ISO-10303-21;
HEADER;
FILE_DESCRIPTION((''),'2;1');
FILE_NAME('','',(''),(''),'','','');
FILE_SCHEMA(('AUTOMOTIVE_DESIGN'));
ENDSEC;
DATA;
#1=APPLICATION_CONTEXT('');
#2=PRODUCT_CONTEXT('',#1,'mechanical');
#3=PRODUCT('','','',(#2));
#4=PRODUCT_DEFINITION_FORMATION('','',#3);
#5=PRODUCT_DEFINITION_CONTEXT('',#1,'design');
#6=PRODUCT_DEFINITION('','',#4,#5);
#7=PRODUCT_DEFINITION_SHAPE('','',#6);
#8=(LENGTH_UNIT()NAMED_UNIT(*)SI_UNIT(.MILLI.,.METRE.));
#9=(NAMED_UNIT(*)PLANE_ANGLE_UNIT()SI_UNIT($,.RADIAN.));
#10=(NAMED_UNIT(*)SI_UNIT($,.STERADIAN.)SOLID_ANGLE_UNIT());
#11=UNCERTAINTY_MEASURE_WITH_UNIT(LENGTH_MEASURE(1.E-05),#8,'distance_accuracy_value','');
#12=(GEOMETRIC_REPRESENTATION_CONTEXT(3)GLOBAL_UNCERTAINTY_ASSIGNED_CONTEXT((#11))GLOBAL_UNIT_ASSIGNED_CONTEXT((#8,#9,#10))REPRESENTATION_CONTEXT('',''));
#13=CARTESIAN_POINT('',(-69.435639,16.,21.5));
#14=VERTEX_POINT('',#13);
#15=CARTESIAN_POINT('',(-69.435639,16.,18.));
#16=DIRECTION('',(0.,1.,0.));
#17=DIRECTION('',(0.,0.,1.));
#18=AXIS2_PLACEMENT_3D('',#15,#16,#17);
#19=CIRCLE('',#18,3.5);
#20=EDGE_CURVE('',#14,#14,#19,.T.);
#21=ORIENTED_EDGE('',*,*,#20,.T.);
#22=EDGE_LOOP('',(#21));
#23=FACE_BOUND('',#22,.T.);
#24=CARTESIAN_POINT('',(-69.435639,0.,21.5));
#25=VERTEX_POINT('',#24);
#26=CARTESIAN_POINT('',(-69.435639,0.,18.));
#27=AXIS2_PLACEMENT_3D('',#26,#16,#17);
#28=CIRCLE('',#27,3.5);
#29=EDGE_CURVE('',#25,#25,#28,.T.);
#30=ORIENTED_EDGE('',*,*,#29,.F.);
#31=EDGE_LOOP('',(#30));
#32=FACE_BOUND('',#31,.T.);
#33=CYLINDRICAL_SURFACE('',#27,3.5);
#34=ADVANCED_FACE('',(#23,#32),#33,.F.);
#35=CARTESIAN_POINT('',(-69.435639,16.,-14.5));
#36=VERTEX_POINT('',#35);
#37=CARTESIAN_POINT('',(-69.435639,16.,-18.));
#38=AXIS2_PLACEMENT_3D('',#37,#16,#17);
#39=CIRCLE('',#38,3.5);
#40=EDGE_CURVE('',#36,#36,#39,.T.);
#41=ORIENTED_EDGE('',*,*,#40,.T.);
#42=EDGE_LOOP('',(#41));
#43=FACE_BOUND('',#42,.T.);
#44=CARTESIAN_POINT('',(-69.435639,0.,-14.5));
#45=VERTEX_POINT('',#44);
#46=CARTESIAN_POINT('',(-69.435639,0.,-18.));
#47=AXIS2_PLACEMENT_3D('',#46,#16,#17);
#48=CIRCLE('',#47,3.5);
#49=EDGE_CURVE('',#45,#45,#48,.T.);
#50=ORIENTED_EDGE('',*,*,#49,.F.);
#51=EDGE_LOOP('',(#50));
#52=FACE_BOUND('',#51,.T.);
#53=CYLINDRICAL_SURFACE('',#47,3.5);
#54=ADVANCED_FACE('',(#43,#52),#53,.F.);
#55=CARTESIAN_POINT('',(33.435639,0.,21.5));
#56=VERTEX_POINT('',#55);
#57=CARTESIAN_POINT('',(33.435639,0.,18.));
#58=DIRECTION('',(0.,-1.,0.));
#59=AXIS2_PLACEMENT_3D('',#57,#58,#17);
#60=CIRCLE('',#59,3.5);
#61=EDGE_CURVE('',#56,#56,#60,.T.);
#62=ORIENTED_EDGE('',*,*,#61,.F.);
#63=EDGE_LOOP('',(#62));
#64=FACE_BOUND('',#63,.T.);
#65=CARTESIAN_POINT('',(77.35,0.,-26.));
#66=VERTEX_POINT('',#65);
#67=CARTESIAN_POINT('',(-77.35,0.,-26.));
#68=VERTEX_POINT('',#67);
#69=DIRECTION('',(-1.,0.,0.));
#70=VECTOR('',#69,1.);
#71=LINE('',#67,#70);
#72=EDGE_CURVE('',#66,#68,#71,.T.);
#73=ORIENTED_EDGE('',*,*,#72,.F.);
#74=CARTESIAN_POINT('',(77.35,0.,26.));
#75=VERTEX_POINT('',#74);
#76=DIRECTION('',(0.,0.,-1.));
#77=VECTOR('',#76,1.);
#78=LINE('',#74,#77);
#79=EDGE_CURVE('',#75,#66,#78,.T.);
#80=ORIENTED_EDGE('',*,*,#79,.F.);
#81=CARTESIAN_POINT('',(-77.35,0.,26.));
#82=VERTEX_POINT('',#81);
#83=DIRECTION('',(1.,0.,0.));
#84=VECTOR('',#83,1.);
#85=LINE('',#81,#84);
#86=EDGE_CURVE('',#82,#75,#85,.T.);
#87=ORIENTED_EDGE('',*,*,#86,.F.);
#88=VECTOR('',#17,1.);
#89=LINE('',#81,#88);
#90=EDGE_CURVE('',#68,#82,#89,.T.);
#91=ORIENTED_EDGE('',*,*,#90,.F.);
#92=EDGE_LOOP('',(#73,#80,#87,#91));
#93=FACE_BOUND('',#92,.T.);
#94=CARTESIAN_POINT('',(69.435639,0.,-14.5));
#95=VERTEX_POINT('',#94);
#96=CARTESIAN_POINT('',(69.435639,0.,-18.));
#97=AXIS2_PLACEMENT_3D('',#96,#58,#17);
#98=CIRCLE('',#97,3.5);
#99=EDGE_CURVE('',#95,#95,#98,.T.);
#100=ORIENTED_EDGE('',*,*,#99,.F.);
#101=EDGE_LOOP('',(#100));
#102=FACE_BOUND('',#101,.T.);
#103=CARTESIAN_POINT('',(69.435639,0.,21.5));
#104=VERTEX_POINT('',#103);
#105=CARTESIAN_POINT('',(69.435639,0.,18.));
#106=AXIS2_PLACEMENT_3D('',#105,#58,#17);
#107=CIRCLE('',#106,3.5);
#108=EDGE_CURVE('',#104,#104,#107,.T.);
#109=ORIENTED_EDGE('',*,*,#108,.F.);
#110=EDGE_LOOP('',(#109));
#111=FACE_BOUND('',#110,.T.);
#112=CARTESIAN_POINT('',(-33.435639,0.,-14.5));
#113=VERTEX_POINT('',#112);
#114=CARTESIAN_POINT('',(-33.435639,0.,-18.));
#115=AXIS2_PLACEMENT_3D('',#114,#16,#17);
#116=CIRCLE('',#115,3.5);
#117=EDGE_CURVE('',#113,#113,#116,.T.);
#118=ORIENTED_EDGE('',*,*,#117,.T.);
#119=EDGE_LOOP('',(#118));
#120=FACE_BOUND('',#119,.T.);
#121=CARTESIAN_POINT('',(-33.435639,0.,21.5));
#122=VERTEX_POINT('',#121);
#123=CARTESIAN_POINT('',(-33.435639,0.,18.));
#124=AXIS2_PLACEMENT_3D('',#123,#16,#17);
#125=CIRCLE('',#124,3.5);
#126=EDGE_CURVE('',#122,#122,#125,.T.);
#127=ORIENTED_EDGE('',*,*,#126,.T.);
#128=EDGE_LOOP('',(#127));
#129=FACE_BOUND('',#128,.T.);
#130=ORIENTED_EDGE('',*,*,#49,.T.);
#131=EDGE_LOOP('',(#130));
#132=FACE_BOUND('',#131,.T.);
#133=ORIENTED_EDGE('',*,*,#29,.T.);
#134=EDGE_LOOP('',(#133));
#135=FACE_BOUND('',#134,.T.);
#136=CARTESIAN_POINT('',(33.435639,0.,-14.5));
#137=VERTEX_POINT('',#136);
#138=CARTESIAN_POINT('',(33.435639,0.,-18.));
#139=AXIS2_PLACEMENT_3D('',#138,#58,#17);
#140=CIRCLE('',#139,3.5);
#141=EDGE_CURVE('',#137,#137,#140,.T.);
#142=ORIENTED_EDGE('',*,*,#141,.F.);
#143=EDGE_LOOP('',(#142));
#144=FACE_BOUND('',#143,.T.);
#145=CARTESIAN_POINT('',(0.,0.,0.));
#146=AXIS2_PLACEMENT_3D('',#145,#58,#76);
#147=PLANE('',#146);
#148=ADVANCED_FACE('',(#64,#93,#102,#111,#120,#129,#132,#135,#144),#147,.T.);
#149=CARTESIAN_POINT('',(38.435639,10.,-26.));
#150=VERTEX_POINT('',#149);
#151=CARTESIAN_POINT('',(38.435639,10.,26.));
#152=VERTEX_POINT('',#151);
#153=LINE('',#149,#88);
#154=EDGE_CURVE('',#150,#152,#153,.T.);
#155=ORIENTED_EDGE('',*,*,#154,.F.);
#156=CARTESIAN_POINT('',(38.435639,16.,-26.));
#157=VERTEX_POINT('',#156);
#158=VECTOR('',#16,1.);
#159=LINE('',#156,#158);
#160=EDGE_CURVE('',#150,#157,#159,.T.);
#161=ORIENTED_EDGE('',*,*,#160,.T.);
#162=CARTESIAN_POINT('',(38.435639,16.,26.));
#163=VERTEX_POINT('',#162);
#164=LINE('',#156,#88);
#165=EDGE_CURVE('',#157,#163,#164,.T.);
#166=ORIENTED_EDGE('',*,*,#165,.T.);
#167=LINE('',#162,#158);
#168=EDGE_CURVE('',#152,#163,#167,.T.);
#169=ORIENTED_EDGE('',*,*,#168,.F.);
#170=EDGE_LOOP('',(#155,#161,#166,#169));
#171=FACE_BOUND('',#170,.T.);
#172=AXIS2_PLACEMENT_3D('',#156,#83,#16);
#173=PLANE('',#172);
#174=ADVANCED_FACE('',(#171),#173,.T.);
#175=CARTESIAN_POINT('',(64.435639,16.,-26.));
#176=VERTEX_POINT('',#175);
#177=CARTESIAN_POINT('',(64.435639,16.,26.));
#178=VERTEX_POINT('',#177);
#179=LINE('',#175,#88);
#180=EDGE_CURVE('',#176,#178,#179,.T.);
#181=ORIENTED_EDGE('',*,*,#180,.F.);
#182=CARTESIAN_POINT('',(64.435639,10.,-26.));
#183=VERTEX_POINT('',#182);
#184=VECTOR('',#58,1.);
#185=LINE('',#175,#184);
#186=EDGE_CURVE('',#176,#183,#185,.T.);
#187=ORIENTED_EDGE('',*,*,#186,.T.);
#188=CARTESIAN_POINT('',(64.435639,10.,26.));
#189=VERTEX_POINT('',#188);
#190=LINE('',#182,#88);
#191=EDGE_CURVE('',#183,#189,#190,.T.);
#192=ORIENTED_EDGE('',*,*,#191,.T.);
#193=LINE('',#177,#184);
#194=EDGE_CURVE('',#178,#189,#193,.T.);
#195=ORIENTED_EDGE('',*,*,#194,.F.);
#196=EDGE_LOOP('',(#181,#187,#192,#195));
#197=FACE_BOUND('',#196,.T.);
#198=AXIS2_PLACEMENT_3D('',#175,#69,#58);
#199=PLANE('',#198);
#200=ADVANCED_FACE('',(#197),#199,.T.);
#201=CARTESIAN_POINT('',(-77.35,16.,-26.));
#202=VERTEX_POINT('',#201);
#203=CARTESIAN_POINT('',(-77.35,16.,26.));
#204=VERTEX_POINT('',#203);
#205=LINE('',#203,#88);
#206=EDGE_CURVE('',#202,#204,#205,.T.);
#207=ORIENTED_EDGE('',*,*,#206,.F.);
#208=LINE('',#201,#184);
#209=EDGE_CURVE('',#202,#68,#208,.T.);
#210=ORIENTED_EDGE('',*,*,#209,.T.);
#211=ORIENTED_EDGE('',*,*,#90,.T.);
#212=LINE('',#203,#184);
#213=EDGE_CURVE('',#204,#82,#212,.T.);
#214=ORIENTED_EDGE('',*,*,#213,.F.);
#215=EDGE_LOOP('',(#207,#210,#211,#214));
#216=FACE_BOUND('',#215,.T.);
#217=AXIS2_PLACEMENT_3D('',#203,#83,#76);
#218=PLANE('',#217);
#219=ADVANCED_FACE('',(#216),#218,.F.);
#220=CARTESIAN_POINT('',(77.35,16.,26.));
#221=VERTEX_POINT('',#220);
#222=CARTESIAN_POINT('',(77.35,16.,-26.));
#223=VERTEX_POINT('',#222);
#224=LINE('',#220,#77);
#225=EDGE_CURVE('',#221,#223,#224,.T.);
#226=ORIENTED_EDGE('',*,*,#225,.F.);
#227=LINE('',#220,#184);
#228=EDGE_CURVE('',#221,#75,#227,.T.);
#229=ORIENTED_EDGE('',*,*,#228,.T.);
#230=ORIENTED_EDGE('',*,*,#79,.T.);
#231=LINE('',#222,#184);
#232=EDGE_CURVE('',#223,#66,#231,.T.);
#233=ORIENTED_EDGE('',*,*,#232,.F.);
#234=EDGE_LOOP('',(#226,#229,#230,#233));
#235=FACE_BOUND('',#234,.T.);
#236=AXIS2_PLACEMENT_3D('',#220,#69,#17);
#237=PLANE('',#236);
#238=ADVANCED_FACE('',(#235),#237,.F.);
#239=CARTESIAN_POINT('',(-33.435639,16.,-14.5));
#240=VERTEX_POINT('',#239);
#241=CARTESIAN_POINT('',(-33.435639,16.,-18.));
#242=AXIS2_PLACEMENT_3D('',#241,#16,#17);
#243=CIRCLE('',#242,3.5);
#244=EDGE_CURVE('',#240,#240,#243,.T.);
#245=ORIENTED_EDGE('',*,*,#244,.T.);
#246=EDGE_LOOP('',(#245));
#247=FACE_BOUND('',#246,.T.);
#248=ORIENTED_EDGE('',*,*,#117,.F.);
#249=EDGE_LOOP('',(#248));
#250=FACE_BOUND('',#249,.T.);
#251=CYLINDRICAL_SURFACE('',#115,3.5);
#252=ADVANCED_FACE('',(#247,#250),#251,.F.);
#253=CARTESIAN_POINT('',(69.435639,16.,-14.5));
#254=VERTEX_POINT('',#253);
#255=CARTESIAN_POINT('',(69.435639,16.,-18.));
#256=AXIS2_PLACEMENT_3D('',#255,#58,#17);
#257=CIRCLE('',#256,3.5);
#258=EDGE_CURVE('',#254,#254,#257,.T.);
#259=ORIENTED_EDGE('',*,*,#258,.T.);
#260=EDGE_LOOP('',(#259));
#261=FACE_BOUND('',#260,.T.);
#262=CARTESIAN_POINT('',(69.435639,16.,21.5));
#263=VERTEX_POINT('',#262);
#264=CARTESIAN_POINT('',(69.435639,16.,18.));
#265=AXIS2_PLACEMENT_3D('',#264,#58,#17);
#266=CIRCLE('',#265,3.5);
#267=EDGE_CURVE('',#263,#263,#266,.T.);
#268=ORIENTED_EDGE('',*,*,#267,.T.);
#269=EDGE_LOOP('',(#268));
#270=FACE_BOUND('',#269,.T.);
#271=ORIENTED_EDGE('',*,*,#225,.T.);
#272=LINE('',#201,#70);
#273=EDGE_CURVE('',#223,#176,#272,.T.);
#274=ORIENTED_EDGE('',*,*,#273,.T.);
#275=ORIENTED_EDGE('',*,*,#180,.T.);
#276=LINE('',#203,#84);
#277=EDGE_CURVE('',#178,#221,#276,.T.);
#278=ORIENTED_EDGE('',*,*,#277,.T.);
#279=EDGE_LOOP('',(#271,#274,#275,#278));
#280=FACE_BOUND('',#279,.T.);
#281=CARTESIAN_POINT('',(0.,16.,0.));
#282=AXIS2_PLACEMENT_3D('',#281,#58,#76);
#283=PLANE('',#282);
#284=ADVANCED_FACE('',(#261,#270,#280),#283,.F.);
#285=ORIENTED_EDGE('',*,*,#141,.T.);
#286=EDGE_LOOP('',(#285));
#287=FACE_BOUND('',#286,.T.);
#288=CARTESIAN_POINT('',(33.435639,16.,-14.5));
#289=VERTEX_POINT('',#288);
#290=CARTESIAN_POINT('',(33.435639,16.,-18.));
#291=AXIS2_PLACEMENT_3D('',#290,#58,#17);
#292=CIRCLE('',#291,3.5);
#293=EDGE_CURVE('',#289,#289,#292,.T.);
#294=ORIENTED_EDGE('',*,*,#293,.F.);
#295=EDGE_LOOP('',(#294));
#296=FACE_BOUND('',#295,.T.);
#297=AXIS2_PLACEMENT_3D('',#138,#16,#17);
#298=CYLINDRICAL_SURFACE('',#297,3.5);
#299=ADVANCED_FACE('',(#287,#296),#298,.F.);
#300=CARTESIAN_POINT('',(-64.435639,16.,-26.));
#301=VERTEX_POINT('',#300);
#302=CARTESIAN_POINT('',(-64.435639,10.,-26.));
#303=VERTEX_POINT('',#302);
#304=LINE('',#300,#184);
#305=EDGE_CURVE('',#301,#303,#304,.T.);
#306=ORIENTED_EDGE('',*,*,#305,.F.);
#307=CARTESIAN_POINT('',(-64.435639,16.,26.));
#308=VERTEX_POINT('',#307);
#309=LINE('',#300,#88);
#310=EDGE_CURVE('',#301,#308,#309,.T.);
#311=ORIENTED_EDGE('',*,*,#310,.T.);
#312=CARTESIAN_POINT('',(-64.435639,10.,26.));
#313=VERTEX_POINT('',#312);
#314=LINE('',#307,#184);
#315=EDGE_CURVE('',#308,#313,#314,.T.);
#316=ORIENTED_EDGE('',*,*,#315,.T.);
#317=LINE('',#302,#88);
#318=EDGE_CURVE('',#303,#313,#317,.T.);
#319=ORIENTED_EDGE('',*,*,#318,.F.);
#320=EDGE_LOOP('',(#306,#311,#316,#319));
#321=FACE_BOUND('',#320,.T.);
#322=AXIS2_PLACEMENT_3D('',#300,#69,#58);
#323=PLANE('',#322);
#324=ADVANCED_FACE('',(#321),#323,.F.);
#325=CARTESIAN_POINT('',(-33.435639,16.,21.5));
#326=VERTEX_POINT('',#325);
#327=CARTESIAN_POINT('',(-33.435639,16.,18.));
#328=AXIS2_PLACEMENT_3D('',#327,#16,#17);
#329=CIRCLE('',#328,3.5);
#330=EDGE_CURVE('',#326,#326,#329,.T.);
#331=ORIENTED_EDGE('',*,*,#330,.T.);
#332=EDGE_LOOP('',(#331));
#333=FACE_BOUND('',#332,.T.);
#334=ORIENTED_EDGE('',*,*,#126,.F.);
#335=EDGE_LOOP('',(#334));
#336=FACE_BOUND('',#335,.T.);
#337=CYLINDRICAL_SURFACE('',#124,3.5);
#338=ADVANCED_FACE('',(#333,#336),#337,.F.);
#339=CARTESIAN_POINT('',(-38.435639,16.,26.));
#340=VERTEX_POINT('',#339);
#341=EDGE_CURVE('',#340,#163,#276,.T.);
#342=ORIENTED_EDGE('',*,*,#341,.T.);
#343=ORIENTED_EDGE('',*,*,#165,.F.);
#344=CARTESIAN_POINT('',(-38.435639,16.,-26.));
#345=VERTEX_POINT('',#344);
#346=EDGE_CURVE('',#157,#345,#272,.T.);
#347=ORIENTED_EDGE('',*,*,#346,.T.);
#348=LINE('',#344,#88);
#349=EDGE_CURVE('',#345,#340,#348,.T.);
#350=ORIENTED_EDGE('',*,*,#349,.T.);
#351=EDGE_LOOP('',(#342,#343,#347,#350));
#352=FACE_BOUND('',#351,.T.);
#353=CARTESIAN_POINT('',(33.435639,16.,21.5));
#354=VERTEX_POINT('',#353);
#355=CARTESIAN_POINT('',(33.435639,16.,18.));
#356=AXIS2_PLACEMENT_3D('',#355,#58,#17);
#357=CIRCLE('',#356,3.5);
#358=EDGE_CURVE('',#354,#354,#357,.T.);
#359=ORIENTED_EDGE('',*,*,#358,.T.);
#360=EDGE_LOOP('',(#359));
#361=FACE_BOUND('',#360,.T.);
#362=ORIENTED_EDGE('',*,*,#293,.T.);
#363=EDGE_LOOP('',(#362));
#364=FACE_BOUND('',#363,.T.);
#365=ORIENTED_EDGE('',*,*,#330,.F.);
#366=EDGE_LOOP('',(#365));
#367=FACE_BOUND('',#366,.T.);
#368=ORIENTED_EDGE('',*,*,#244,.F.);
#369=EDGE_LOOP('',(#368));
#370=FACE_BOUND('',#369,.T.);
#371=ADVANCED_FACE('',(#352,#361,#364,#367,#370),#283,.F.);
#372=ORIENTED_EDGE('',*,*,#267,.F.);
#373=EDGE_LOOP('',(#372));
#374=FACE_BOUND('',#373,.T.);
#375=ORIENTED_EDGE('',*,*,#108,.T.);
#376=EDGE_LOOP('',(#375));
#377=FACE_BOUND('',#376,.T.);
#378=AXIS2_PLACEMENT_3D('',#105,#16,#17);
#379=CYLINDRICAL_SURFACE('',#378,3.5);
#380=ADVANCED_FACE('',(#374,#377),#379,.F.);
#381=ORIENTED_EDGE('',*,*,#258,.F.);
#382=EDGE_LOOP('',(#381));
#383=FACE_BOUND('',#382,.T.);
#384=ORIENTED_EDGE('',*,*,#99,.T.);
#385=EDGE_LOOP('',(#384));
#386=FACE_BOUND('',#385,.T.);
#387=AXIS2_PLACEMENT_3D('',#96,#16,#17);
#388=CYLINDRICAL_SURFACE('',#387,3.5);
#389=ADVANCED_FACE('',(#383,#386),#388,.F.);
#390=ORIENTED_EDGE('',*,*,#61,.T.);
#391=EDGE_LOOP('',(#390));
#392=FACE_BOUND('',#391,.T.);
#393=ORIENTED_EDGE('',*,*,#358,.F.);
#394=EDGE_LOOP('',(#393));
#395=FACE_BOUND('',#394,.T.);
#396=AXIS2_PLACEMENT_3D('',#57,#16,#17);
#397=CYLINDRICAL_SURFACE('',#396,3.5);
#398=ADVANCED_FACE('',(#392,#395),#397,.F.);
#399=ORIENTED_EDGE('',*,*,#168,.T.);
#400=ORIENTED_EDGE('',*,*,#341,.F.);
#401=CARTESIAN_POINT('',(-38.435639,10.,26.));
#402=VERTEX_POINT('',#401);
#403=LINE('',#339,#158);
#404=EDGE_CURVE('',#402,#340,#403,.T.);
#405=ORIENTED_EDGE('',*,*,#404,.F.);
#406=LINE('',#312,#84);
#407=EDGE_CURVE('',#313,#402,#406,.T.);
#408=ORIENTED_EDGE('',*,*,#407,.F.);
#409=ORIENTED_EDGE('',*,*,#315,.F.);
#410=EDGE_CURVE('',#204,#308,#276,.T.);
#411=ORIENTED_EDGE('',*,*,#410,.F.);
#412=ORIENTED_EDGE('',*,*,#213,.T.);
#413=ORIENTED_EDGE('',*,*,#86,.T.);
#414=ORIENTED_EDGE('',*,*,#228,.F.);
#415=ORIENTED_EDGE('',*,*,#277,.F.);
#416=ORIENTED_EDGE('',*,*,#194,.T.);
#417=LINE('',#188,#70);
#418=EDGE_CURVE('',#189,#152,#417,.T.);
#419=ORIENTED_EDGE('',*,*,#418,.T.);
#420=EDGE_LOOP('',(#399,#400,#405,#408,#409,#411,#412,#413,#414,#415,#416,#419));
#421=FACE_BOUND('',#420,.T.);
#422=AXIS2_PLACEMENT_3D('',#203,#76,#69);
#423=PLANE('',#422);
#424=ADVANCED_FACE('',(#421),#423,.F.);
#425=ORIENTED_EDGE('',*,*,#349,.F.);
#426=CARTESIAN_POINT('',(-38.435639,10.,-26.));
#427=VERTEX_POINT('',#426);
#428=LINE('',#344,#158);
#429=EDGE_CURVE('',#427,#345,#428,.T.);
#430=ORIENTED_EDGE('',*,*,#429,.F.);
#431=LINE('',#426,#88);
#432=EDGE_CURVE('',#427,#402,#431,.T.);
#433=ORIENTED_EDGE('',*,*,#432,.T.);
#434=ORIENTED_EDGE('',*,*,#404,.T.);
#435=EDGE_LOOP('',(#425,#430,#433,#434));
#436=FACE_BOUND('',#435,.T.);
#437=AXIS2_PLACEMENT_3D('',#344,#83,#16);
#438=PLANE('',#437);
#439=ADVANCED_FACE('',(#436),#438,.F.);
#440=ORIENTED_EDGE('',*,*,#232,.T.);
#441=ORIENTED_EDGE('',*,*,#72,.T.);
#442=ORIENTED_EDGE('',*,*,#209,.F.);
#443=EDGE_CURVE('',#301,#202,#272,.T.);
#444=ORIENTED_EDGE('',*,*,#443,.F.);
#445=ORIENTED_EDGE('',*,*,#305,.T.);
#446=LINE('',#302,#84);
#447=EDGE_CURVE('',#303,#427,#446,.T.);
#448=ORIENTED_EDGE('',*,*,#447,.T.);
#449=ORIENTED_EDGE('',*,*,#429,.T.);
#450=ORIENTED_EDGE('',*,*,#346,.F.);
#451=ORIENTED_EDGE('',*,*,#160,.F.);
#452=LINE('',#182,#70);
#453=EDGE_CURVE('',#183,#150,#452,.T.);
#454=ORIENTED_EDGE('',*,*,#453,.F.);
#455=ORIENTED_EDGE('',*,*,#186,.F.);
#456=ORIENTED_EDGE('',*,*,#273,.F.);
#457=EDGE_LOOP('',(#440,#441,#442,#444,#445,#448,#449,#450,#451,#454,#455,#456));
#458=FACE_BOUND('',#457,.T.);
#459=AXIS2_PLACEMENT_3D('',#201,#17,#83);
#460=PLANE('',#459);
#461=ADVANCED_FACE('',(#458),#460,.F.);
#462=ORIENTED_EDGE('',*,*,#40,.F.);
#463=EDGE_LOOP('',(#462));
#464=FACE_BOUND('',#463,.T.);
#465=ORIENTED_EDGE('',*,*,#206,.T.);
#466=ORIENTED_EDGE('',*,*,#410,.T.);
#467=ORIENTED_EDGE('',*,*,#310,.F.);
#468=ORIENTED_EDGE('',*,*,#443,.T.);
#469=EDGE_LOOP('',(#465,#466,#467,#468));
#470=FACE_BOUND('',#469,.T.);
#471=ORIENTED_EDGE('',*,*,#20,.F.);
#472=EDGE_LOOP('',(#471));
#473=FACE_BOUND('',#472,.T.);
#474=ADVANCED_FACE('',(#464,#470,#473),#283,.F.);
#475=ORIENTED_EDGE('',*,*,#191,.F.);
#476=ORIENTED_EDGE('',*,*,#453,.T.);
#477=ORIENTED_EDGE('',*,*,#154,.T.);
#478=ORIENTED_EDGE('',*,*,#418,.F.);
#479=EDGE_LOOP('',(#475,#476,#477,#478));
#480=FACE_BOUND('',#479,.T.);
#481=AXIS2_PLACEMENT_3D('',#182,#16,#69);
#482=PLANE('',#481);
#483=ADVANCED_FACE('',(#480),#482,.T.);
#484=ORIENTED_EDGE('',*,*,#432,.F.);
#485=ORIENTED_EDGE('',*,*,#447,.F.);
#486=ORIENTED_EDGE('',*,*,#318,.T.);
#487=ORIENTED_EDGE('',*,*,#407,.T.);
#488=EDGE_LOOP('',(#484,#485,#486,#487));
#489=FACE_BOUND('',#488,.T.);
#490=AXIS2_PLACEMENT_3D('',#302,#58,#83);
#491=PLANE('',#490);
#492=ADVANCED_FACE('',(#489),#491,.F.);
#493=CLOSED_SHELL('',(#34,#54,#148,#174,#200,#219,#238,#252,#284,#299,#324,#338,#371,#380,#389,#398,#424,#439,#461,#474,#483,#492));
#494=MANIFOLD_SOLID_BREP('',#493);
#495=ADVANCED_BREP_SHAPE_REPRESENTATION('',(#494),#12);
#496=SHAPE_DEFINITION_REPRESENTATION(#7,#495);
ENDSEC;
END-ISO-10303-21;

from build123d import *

# Parameters (mm, degrees)
SKETCH1_W           = 154.7
SKETCH1_H           = 52
BOSS_EXTRUDE1_DEPTH = 16
SKETCH3_R           = 3.5
CUT_EXTRUDE2_DEPTH  = 84.156614289
SKETCH5_W           = 26
SKETCH5_H           = 6
CUT_EXTRUDE4_DEPTH  = 95.567555218


with BuildPart() as part:
    # Sketch1 → Boss-Extrude1 (new body)
    with BuildSketch(Plane(origin=(0, 0, 0), x_dir=(1, 0, 0), z_dir=(0, 1, 0))):
        Rectangle(SKETCH1_W, SKETCH1_H)
    extrude(amount=BOSS_EXTRUDE1_DEPTH)

    # Sketch3 → Cut-Extrude2 (cut, through all)
    with BuildSketch(Plane(origin=(0, 16, 0), x_dir=(1, 0, 0), z_dir=(0, 1, 0))):
        with Locations(Location((-69.435638509, 18, 0), (0, 0, 270))):
            Circle(SKETCH3_R)
        with Locations(Location((-33.435638509, 18, 0), (0, 0, 270))):
            Circle(SKETCH3_R)
        with Locations(Location((-33.435638509, -18, 0), (0, 0, 270))):
            Circle(SKETCH3_R)
        with Locations(Location((-69.435638509, -18, 0), (0, 0, 270))):
            Circle(SKETCH3_R)
    cut_extrude2 = extrude(amount=-CUT_EXTRUDE2_DEPTH, mode=Mode.SUBTRACT)

    # Mirror1: Cut-Extrude2 across plane
    add(cut_extrude2.mirror(Plane.ZY), mode=Mode.SUBTRACT)

    # Sketch5 → Cut-Extrude4 (cut, through all)
    with BuildSketch(Plane.XY.offset(26)):
        with Locations((-51.435638509, 13)):
            Rectangle(SKETCH5_W, SKETCH5_H)
    cut_extrude4 = extrude(amount=-CUT_EXTRUDE4_DEPTH, mode=Mode.SUBTRACT)

    # Mirror2: Cut-Extrude4 across plane
    add(cut_extrude4.mirror(Plane.ZY), mode=Mode.SUBTRACT)


solid = part.part
